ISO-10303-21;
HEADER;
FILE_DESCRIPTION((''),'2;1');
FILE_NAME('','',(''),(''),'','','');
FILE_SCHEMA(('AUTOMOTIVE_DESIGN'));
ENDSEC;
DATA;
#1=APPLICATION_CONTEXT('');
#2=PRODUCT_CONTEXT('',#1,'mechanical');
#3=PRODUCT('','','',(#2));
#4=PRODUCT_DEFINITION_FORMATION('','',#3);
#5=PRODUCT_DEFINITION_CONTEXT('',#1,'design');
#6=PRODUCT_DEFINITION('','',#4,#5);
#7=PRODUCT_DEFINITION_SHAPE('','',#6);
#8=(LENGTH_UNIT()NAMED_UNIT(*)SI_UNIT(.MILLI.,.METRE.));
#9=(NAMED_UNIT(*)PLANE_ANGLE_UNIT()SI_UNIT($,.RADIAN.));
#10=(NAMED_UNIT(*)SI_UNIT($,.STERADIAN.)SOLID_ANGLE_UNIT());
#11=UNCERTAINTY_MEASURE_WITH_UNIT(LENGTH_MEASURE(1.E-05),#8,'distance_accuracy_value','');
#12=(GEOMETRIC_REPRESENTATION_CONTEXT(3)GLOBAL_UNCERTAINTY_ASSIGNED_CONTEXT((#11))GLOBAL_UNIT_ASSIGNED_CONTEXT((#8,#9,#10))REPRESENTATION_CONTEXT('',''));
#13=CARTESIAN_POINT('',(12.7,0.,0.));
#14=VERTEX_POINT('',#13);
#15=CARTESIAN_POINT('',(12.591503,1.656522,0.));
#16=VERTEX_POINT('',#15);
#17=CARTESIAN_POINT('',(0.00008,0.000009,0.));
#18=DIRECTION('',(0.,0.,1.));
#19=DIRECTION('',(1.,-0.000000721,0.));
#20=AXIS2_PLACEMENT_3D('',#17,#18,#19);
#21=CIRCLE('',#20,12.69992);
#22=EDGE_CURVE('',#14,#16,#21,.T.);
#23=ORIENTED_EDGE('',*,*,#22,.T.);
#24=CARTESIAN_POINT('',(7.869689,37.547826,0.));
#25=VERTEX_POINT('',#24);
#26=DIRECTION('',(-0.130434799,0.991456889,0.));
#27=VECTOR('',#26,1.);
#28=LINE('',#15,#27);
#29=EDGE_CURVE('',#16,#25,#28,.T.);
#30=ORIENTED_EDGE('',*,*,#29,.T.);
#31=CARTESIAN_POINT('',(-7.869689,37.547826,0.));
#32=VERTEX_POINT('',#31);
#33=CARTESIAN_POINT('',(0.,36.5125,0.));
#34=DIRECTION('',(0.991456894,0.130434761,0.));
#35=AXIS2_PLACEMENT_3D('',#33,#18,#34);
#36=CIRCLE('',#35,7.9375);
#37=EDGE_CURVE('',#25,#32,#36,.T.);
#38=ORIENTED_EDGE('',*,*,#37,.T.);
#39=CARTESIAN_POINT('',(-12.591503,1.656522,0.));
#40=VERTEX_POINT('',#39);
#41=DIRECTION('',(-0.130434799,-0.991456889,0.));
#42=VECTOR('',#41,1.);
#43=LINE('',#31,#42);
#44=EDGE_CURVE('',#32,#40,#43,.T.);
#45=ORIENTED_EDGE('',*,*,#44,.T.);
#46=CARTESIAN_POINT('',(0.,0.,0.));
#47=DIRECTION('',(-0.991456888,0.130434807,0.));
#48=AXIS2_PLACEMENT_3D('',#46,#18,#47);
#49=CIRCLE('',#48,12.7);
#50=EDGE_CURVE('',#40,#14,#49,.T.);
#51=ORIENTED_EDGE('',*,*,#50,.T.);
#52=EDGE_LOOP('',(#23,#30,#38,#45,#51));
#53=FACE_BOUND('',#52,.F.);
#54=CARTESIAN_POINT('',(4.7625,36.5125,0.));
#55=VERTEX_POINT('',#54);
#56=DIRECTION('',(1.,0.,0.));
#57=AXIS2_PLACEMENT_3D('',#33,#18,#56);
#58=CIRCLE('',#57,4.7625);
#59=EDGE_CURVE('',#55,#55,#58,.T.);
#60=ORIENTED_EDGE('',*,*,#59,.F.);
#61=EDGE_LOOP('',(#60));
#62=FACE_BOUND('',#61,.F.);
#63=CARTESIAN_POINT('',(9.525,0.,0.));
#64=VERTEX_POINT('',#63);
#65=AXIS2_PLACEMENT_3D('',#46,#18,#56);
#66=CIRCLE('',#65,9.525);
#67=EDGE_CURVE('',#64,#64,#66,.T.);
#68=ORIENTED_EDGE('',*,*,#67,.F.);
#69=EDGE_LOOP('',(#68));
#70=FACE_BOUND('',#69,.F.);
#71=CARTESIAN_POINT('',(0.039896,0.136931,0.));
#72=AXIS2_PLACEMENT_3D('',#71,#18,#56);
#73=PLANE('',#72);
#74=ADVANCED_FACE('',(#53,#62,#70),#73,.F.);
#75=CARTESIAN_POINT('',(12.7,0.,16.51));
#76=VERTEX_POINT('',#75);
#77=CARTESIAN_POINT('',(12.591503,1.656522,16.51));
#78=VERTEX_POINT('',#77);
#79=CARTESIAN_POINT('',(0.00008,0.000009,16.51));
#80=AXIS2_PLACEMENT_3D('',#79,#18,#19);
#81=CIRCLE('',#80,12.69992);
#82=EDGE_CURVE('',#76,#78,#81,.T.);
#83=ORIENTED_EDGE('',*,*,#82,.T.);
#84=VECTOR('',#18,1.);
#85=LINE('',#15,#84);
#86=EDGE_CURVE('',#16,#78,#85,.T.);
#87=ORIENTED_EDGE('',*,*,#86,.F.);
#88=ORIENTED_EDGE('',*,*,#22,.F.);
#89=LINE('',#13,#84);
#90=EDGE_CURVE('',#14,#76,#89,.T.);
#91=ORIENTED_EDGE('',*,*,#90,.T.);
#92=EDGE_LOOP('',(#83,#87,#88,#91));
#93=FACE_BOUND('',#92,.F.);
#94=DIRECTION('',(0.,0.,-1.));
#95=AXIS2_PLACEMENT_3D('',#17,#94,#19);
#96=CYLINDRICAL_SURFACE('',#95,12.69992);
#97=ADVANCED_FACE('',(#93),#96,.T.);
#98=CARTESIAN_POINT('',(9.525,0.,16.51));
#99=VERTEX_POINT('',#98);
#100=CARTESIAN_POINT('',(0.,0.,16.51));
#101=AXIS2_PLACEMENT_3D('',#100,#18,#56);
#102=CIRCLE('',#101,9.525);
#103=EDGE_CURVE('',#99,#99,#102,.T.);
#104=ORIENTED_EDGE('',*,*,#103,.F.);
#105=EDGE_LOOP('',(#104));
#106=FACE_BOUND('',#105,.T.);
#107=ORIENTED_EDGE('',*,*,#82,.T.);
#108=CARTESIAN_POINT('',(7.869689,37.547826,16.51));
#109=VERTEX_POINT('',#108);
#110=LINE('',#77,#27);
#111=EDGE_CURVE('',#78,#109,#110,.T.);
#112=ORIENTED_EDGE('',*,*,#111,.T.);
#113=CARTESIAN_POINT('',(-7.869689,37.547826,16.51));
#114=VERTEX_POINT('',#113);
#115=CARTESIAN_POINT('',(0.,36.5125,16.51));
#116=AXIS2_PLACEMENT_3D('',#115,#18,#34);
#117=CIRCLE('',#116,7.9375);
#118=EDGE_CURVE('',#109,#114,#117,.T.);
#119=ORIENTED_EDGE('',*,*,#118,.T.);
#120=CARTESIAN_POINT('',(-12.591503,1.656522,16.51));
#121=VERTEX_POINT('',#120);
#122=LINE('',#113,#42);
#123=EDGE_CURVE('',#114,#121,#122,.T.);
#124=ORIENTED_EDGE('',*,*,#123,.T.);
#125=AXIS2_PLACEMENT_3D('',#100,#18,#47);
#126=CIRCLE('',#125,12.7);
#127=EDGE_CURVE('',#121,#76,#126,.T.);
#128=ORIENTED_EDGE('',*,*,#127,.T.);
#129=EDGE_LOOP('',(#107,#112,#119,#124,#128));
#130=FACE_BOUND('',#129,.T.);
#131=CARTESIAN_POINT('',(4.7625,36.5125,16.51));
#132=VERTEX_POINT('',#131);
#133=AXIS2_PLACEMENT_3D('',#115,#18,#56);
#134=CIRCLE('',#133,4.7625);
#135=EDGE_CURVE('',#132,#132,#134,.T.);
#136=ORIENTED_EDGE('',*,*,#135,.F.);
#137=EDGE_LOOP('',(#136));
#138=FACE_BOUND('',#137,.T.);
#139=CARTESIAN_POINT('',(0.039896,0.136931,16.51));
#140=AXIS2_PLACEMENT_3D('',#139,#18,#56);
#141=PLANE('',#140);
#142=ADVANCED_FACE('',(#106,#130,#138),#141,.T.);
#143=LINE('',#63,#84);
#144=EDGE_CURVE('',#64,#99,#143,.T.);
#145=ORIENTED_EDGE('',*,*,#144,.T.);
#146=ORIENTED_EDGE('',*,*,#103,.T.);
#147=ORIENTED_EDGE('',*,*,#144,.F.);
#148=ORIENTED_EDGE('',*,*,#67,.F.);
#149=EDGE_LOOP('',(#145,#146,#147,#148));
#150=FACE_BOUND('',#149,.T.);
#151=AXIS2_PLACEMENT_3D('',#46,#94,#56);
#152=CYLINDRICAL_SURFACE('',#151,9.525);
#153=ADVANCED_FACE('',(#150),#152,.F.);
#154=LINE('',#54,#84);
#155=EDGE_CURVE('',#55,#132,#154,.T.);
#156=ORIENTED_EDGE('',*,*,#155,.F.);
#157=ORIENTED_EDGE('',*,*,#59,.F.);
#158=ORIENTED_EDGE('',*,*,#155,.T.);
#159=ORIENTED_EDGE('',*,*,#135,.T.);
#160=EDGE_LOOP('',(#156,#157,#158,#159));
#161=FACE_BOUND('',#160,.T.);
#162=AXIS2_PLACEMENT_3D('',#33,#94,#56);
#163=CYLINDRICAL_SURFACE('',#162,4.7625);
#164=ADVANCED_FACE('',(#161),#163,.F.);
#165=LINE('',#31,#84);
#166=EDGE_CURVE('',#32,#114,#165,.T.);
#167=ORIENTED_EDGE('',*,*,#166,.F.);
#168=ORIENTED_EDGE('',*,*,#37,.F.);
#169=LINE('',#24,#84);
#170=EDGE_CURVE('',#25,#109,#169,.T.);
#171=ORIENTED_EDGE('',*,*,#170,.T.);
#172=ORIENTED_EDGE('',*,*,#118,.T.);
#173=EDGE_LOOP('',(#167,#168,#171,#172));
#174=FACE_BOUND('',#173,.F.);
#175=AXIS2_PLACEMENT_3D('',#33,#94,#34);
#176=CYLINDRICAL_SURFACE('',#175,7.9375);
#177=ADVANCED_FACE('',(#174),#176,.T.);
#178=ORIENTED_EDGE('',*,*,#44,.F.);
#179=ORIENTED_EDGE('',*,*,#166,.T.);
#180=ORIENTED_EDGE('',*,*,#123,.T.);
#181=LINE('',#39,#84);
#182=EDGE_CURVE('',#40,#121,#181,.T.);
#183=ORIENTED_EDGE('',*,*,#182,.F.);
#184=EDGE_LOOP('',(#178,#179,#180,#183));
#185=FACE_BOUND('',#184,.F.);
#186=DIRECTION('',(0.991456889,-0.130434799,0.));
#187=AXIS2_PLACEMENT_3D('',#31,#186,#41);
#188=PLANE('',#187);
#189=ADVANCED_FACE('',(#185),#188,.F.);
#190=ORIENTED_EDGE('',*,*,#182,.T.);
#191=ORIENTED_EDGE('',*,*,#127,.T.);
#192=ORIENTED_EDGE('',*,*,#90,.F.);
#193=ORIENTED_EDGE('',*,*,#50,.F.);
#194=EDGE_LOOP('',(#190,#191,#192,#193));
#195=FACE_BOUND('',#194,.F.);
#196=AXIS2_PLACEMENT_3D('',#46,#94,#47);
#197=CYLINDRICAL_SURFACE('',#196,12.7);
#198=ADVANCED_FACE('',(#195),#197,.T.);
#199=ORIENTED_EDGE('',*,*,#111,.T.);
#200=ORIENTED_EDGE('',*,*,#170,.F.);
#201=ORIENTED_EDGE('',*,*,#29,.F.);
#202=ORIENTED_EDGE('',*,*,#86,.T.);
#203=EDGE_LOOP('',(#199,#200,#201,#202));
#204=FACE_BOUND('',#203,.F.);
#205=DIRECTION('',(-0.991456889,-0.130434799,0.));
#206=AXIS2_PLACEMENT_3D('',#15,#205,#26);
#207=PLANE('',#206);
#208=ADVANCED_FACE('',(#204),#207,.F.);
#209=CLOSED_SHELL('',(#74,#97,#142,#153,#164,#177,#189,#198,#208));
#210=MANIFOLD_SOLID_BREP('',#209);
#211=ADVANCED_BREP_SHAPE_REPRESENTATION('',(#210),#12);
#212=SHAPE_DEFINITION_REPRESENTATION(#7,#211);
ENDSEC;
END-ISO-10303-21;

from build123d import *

# Parameters (mm, degrees)
F0_R     = 9.525
F0_R_2   = 4.7625
F1_DEPTH = 16.51


with BuildPart() as f1:
    # F0 (on Top) → F1 (new body)
    with BuildSketch(Plane.XY):
        with BuildLine():
            ThreePointArc((-12.591503, 1.656522), (-0.830035, -12.672847), (12.7, 0))
            ThreePointArc((12.7, 0), (12.672847, 0.830036), (12.591503, 1.656522))
            ThreePointArc((12.591503, 1.656522), (0, 12.7), (-12.591503, 1.656522))
        make_face()
        Circle(F0_R, mode=Mode.SUBTRACT)
        with BuildLine():
            ThreePointArc((-12.591503, 1.656522), (0, 12.7), (12.591503, 1.656522))
            Line((12.591503, 1.656522), (7.869689, 37.547826))
            ThreePointArc((7.869689, 37.547826), (7.920529, 37.031272), (7.9375, 36.5125))
            ThreePointArc((7.9375, 36.5125), (-0.518772, 28.591971), (-7.869689, 37.547826))
            Line((-7.869689, 37.547826), (-12.591503, 1.656522))
        make_face()
        with BuildLine():
            ThreePointArc((7.9375, 36.5125), (7.920529, 37.031272), (7.869689, 37.547826))
            ThreePointArc((7.869689, 37.547826), (0, 44.45), (-7.869689, 37.547826))
            ThreePointArc((-7.869689, 37.547826), (-0.518772, 28.591971), (7.9375, 36.5125))
        make_face()
        with Locations((0, 36.5125)):
            Circle(F0_R_2, mode=Mode.SUBTRACT)
    extrude(amount=F1_DEPTH)


solid = f1.part
